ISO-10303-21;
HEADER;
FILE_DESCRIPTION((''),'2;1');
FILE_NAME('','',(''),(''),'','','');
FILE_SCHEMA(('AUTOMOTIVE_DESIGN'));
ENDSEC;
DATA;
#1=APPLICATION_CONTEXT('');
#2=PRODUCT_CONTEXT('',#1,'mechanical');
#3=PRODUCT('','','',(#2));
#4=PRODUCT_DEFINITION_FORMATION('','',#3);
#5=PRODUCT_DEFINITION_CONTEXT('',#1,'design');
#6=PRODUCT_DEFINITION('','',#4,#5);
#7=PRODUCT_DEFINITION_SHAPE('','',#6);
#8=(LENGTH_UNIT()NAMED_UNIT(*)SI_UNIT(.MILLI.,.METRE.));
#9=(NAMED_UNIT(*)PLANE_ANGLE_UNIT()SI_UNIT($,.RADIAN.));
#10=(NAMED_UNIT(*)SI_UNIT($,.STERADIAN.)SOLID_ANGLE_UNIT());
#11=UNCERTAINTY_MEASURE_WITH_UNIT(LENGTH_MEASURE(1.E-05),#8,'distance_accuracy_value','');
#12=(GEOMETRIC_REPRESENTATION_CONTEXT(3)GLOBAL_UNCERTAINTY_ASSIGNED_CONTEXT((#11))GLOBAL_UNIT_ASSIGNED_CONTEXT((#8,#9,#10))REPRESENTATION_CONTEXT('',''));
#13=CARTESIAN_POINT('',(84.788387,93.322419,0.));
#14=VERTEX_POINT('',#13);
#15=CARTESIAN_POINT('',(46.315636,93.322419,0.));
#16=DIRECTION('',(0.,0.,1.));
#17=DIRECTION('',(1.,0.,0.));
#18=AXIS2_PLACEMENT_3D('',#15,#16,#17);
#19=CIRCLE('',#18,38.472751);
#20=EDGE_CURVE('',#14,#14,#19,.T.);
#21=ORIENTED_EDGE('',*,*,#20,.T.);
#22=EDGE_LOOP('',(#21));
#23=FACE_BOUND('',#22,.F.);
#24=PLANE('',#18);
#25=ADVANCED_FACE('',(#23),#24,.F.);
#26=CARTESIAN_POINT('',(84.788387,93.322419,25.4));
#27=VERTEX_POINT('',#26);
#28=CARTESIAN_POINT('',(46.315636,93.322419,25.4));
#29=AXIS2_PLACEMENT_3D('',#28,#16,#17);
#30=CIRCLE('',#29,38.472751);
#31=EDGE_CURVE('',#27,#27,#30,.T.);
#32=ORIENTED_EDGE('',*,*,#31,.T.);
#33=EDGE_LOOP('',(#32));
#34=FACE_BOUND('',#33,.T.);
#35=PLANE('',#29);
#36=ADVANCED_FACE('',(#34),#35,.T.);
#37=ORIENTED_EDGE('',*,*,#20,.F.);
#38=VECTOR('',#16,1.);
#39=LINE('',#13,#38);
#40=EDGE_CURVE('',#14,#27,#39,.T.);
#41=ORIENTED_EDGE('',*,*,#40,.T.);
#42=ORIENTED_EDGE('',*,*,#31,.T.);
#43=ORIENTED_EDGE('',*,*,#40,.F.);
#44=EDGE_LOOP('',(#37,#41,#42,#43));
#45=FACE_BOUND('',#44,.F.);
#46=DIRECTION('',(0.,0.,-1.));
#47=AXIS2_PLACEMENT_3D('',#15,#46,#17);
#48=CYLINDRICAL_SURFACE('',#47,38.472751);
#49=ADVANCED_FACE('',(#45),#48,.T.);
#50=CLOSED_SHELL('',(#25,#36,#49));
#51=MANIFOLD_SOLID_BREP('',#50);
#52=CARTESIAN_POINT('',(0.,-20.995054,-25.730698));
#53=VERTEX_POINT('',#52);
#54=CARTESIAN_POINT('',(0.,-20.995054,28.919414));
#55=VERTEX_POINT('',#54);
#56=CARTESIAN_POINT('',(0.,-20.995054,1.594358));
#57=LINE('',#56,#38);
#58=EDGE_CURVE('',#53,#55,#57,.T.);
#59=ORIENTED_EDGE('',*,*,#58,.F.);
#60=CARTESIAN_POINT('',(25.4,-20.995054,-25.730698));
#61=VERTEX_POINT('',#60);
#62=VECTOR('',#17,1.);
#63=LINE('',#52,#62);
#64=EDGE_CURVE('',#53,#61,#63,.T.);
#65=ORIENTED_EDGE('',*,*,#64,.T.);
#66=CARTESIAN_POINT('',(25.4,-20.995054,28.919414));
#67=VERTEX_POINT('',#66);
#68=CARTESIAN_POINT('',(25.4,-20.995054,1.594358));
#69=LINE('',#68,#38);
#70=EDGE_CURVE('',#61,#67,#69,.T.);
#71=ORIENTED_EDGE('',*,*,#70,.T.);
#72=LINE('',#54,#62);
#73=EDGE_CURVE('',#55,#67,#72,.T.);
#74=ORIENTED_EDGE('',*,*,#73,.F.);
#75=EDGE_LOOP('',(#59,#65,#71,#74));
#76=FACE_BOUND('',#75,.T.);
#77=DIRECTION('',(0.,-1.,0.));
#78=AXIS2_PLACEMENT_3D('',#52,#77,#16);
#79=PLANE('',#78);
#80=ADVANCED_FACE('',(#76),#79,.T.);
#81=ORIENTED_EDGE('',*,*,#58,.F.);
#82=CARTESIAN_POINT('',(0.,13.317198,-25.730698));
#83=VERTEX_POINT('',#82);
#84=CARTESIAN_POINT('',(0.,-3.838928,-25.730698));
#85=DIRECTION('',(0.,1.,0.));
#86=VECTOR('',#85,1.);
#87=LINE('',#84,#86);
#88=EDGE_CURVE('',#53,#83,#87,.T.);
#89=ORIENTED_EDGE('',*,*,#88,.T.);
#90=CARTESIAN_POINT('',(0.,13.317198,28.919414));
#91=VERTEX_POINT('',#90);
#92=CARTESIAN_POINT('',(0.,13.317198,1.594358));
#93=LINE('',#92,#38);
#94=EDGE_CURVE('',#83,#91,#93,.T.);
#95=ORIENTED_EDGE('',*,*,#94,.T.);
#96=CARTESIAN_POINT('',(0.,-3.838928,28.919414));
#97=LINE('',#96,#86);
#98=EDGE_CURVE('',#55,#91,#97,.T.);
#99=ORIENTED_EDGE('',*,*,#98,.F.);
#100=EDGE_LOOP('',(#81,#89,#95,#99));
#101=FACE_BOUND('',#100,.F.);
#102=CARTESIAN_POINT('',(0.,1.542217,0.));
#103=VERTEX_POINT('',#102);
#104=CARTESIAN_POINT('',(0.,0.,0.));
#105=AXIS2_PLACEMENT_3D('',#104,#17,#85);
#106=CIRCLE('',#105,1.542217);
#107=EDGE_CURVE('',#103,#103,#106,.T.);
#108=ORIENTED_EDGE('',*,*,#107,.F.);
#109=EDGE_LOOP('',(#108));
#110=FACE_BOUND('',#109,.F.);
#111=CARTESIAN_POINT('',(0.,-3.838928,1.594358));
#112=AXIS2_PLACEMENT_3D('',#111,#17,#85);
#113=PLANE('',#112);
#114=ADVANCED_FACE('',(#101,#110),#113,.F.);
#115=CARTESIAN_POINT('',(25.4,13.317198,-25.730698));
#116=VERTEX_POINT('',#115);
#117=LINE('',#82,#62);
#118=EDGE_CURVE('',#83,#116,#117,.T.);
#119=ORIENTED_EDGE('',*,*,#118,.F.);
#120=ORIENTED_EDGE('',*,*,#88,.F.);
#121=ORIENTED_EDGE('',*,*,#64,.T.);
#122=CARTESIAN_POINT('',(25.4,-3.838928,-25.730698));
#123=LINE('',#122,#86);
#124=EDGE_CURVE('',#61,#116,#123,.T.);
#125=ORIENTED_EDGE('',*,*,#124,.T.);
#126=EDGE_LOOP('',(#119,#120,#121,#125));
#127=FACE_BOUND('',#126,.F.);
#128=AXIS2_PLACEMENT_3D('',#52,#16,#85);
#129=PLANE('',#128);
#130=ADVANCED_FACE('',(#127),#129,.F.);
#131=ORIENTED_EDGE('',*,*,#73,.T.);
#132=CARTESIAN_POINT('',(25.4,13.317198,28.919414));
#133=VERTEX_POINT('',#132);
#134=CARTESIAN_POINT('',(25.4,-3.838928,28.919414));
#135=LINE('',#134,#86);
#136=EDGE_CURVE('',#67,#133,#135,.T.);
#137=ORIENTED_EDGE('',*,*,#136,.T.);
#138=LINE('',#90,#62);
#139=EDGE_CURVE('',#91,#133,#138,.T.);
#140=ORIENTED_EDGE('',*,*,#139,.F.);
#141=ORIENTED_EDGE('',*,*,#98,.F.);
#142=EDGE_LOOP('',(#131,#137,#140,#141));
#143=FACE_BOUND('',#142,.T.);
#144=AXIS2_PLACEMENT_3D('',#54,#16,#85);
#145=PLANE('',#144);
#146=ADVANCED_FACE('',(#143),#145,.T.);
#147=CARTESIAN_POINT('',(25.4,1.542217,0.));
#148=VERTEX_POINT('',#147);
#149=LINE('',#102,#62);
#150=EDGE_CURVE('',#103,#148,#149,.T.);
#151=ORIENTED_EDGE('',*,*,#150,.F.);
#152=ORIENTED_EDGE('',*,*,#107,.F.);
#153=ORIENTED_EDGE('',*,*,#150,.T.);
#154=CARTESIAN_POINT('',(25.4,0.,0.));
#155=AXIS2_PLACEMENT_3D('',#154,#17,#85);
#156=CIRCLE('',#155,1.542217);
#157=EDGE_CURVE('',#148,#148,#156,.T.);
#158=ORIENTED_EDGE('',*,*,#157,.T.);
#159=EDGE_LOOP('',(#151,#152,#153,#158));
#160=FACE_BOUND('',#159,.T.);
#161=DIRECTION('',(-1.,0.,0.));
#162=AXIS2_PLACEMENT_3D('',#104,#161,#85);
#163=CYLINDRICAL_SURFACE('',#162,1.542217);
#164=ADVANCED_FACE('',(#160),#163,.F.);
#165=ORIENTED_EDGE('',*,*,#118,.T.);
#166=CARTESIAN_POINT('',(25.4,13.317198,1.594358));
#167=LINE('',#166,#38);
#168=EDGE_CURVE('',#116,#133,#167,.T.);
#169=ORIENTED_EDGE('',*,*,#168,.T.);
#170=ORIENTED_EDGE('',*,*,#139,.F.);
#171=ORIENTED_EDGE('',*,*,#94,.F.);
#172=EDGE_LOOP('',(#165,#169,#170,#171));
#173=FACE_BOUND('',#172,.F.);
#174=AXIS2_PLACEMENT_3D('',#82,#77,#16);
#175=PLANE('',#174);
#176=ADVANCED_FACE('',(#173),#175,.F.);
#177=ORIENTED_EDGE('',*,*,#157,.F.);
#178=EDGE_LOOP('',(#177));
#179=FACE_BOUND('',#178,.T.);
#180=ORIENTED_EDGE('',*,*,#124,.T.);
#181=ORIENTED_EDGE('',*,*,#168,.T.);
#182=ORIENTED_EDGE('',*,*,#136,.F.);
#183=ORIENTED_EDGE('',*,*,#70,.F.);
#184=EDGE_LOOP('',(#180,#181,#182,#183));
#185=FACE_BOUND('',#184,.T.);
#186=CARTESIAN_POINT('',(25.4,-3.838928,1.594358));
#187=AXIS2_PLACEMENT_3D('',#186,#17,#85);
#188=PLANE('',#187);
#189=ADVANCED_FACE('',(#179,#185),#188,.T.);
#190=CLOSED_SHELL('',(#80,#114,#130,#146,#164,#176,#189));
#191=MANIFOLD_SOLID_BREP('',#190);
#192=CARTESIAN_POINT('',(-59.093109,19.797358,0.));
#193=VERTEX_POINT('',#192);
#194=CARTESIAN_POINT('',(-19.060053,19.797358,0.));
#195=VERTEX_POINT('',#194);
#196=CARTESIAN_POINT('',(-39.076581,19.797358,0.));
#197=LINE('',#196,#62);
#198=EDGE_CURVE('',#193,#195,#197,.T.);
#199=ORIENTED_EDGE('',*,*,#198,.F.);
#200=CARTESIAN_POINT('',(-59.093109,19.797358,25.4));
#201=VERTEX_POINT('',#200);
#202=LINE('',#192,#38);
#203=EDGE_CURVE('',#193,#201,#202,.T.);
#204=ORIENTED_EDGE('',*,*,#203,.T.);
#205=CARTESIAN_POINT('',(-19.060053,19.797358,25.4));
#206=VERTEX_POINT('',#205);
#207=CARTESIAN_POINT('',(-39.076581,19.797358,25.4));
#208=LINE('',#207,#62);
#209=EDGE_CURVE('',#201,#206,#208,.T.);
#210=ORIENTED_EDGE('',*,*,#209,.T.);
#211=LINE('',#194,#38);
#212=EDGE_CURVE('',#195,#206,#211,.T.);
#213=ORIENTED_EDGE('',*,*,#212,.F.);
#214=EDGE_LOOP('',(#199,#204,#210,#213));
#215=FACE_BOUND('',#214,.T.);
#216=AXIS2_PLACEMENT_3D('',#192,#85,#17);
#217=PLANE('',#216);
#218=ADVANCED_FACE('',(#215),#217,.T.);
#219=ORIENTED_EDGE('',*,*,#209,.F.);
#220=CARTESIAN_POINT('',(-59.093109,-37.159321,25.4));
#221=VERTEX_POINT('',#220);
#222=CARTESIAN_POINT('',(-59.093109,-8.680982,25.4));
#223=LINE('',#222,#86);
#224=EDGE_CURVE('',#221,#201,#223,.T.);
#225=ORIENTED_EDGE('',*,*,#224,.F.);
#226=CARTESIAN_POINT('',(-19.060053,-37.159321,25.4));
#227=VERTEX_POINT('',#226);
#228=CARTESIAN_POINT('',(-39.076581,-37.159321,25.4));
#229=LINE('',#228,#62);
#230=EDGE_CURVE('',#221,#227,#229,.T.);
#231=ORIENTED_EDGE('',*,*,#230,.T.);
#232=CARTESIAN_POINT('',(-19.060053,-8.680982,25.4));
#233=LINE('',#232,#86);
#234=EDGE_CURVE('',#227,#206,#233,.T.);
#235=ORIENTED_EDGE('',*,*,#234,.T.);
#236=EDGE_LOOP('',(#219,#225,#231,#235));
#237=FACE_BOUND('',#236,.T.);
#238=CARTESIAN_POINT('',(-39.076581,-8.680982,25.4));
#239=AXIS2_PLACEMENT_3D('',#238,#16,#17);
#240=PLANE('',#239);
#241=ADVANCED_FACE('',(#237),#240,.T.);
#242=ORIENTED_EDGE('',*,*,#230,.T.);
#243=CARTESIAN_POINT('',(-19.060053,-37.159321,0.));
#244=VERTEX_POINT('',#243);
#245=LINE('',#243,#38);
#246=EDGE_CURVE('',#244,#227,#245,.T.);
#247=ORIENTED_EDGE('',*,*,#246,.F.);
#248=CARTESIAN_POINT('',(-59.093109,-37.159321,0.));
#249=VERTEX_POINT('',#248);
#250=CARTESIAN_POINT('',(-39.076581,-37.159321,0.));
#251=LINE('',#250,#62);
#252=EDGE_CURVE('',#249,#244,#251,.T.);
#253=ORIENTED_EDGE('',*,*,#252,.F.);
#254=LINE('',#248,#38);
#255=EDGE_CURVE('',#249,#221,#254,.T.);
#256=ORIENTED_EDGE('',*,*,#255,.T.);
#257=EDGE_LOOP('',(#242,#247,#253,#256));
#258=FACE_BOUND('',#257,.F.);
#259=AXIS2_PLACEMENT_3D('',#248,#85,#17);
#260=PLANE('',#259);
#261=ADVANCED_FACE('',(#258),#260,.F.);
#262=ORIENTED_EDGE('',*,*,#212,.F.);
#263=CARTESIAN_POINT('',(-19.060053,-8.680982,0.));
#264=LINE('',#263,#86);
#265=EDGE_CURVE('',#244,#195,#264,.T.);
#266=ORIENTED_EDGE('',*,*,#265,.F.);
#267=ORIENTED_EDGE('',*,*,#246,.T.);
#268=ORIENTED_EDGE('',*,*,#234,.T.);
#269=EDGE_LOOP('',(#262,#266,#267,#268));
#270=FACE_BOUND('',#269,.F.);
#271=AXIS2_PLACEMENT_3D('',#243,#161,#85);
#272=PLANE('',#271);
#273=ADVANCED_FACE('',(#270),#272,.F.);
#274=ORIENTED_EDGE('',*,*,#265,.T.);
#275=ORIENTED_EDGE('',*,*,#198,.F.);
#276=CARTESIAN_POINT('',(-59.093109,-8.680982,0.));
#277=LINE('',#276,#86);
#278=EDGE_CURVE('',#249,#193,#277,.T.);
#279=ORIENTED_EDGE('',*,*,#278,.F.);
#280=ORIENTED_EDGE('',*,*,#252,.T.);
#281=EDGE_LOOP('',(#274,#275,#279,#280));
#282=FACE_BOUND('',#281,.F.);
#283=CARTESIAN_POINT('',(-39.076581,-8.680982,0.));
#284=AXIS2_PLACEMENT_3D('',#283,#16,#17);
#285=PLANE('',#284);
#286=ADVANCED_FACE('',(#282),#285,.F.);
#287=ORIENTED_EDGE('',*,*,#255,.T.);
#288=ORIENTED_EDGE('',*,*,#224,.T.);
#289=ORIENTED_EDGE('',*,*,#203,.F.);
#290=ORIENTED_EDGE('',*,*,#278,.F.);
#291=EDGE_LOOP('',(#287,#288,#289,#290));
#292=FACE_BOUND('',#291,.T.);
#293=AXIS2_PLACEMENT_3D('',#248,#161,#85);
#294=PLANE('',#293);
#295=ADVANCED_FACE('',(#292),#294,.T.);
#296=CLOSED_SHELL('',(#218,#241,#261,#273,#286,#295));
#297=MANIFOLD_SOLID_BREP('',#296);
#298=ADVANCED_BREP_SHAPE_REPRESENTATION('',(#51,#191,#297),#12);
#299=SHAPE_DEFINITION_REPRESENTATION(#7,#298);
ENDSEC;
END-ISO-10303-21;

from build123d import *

# Parameters (mm, degrees)
F0_W     = 34.312252
F0_H     = 54.650113
F0_R     = 1.542217
F1_DEPTH = 25.4
F2_W     = 40.033057
F2_H     = 56.956679
F3_DEPTH = 25.4
F5_R     = 38.472751
F6_DEPTH = 25.4


with BuildPart() as f1:
    # F0 (on Right) → F1 (new body)
    with BuildSketch(Plane.YZ):
        with Locations((-3.838928, 1.594358)):
            Rectangle(F0_W, F0_H)
        Circle(F0_R, mode=Mode.SUBTRACT)
    extrude(amount=F1_DEPTH)


with BuildPart() as f3:
    # F2 (on Top) → F3 (new body)
    with BuildSketch(Plane.XY):
        with Locations((-39.076581, -8.680982)):
            Rectangle(F2_W, F2_H)
    extrude(amount=F3_DEPTH)


with BuildPart() as f6:
    # F5 (on face) → F6 (new body)
    with BuildSketch(Plane.XY):
        with Locations((46.315636, 93.322419)):
            Circle(F5_R)
    extrude(amount=F6_DEPTH)


solid = Compound([f1.part, f3.part, f6.part])
